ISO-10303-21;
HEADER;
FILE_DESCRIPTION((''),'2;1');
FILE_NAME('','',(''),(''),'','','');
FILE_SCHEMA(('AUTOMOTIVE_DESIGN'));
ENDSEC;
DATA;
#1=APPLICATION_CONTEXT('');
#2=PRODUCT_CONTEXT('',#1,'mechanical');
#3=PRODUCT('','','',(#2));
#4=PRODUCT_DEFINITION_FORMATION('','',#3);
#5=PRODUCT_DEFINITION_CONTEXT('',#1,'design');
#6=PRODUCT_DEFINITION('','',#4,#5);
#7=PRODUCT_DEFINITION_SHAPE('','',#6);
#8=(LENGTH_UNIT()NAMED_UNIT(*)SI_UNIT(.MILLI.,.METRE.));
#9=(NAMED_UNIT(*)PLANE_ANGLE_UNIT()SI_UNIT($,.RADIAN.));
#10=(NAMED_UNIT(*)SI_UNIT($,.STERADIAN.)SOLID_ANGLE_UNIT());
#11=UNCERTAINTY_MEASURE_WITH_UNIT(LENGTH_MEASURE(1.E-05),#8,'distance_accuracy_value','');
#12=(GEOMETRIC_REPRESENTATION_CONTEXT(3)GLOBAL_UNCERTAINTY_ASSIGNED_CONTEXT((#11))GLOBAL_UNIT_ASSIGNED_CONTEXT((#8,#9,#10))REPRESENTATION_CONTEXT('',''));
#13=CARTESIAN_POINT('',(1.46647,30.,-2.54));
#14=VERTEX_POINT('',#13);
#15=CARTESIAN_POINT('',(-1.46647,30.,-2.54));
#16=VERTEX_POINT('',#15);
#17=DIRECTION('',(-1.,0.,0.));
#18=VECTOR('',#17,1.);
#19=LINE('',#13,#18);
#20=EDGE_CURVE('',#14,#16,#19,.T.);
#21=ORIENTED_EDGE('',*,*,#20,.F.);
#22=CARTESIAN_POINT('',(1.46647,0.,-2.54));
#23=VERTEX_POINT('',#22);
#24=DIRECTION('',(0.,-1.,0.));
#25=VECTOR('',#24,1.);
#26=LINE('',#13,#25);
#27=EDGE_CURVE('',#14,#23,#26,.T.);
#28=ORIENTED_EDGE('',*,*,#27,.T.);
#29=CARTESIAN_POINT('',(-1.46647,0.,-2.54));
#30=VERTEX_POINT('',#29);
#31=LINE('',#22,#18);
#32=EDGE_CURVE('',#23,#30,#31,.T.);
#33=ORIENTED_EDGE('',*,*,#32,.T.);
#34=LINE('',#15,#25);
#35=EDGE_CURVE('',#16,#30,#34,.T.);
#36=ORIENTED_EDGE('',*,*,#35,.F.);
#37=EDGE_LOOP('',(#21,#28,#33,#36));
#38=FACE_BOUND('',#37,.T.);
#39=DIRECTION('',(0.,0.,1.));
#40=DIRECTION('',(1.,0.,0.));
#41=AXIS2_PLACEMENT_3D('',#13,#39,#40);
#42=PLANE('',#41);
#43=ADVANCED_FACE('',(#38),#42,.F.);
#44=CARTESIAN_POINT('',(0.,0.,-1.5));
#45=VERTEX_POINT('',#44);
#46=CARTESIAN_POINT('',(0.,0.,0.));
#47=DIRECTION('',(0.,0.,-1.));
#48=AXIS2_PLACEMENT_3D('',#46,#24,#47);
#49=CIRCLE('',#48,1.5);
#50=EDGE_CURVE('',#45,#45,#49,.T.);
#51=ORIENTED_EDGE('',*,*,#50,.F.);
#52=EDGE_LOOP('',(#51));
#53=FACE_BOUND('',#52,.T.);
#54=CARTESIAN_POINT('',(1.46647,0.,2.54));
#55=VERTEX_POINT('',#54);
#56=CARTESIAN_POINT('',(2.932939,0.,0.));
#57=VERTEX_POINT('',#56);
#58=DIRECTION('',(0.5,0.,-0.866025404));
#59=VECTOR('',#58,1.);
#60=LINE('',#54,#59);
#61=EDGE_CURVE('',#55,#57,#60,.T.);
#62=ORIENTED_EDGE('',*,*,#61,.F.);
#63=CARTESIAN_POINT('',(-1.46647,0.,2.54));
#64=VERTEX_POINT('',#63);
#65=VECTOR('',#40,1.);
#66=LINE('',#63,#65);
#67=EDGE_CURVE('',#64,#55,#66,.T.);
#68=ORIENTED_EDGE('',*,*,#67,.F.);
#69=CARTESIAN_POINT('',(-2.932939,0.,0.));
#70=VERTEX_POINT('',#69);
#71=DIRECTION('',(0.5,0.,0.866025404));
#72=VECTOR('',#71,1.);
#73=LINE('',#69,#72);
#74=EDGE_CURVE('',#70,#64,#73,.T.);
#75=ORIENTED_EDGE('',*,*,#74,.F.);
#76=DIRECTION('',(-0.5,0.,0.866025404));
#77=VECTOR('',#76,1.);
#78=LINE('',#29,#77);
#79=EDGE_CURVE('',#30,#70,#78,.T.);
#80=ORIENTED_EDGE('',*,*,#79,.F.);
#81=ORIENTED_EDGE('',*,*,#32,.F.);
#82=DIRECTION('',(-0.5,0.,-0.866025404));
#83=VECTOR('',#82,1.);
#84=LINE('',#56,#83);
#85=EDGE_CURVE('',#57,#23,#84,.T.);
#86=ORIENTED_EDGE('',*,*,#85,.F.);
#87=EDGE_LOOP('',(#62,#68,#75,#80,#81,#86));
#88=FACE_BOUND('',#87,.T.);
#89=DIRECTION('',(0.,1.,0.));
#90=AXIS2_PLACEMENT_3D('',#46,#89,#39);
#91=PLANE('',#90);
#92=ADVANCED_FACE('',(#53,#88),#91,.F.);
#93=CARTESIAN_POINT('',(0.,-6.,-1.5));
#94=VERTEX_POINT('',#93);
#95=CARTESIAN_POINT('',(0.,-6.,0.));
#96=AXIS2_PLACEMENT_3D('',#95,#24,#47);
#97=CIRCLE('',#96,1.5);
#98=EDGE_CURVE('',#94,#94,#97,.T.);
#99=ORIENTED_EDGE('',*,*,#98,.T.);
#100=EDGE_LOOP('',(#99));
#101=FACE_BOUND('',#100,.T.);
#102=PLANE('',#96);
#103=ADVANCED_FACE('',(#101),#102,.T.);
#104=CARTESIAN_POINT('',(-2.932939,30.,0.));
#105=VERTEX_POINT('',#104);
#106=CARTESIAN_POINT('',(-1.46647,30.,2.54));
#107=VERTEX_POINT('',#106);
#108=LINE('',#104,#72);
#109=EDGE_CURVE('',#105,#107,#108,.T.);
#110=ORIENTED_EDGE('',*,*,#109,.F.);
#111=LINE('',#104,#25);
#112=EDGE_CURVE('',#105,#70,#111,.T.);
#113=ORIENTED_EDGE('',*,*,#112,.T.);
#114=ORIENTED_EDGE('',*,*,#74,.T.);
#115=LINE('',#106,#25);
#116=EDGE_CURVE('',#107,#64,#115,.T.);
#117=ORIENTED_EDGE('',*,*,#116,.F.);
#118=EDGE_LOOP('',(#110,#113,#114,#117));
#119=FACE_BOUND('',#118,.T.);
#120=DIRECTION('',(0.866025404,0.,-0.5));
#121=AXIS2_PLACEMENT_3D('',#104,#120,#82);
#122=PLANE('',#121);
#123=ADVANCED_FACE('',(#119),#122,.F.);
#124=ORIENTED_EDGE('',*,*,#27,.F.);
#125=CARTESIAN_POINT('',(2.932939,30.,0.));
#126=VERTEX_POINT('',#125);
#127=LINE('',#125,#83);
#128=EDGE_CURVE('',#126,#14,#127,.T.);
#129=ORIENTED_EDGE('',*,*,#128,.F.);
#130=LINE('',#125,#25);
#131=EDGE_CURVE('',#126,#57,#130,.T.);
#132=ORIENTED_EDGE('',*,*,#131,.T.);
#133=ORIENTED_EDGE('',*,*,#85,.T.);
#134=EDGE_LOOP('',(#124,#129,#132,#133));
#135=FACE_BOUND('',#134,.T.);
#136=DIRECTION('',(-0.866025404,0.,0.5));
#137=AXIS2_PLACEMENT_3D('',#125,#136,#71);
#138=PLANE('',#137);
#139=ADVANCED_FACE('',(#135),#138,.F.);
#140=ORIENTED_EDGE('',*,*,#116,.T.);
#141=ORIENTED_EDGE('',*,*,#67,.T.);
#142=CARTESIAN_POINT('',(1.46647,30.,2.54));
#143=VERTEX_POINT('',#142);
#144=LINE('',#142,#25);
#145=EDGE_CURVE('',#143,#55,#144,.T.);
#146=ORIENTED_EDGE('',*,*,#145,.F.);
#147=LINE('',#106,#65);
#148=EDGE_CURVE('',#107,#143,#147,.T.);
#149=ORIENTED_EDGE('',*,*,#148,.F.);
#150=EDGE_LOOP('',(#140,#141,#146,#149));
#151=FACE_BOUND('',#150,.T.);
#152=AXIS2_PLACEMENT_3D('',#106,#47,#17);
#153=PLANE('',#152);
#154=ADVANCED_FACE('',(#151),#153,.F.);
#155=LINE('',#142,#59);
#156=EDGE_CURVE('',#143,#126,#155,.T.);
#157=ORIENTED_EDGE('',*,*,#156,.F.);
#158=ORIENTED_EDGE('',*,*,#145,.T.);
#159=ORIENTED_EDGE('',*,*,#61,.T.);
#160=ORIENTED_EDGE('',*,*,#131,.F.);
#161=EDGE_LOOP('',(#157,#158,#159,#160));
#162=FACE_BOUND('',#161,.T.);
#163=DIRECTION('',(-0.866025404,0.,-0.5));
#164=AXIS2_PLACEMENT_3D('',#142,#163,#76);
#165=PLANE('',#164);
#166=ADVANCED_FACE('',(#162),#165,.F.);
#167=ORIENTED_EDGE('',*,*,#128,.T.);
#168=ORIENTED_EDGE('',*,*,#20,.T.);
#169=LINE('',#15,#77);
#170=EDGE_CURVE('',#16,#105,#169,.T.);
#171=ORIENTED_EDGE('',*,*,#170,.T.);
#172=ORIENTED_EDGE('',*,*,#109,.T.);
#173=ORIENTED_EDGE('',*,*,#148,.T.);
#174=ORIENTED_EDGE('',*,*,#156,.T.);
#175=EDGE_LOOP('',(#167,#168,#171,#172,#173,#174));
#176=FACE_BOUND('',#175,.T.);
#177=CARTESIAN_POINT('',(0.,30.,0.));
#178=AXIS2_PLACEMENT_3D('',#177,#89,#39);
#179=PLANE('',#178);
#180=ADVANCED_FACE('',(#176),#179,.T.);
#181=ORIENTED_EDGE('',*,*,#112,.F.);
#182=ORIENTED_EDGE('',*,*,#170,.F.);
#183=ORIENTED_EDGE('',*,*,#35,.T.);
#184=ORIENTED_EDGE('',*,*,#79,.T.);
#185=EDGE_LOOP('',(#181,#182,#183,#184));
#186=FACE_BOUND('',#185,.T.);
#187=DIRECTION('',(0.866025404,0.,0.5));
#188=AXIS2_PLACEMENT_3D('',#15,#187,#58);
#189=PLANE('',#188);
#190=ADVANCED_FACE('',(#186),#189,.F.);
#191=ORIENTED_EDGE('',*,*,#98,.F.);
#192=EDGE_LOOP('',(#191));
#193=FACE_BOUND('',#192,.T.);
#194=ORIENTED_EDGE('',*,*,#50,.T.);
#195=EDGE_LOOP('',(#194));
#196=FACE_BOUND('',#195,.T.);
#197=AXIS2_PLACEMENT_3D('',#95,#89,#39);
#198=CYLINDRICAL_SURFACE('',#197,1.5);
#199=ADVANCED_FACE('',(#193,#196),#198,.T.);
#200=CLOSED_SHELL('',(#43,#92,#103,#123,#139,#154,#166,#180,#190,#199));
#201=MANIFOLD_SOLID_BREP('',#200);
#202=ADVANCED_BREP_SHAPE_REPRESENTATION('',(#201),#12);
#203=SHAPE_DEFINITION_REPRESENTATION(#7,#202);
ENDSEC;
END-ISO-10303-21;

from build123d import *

# Parameters (mm, degrees)
EXTRUDE_1_DEPTH = 30
SKETCH_2_R      = 1.5
EXTRUDE_2_DEPTH = 6


with BuildPart() as part:
    # 스케치1 → 보스-돌출1 (new body)
    with BuildSketch(Plane(origin=(0, 0, 0), x_dir=(1, 0, 0), z_dir=(0, 1, 0))):
        Polygon((1.466469684, 2.54), (-1.466469684, 2.54), (-2.932939367, 0), (-1.466469684, -2.54), (1.466469684, -2.54), (2.932939367, 0), align=None)
    extrude(amount=EXTRUDE_1_DEPTH)

    # 스케치2 → 보스-돌출2 (add)
    with BuildSketch(Plane.XZ):
        with Locations(Location((0, 0, 0), (0, 0, 270))):
            Circle(SKETCH_2_R)
    extrude(amount=EXTRUDE_2_DEPTH)


solid = part.part
